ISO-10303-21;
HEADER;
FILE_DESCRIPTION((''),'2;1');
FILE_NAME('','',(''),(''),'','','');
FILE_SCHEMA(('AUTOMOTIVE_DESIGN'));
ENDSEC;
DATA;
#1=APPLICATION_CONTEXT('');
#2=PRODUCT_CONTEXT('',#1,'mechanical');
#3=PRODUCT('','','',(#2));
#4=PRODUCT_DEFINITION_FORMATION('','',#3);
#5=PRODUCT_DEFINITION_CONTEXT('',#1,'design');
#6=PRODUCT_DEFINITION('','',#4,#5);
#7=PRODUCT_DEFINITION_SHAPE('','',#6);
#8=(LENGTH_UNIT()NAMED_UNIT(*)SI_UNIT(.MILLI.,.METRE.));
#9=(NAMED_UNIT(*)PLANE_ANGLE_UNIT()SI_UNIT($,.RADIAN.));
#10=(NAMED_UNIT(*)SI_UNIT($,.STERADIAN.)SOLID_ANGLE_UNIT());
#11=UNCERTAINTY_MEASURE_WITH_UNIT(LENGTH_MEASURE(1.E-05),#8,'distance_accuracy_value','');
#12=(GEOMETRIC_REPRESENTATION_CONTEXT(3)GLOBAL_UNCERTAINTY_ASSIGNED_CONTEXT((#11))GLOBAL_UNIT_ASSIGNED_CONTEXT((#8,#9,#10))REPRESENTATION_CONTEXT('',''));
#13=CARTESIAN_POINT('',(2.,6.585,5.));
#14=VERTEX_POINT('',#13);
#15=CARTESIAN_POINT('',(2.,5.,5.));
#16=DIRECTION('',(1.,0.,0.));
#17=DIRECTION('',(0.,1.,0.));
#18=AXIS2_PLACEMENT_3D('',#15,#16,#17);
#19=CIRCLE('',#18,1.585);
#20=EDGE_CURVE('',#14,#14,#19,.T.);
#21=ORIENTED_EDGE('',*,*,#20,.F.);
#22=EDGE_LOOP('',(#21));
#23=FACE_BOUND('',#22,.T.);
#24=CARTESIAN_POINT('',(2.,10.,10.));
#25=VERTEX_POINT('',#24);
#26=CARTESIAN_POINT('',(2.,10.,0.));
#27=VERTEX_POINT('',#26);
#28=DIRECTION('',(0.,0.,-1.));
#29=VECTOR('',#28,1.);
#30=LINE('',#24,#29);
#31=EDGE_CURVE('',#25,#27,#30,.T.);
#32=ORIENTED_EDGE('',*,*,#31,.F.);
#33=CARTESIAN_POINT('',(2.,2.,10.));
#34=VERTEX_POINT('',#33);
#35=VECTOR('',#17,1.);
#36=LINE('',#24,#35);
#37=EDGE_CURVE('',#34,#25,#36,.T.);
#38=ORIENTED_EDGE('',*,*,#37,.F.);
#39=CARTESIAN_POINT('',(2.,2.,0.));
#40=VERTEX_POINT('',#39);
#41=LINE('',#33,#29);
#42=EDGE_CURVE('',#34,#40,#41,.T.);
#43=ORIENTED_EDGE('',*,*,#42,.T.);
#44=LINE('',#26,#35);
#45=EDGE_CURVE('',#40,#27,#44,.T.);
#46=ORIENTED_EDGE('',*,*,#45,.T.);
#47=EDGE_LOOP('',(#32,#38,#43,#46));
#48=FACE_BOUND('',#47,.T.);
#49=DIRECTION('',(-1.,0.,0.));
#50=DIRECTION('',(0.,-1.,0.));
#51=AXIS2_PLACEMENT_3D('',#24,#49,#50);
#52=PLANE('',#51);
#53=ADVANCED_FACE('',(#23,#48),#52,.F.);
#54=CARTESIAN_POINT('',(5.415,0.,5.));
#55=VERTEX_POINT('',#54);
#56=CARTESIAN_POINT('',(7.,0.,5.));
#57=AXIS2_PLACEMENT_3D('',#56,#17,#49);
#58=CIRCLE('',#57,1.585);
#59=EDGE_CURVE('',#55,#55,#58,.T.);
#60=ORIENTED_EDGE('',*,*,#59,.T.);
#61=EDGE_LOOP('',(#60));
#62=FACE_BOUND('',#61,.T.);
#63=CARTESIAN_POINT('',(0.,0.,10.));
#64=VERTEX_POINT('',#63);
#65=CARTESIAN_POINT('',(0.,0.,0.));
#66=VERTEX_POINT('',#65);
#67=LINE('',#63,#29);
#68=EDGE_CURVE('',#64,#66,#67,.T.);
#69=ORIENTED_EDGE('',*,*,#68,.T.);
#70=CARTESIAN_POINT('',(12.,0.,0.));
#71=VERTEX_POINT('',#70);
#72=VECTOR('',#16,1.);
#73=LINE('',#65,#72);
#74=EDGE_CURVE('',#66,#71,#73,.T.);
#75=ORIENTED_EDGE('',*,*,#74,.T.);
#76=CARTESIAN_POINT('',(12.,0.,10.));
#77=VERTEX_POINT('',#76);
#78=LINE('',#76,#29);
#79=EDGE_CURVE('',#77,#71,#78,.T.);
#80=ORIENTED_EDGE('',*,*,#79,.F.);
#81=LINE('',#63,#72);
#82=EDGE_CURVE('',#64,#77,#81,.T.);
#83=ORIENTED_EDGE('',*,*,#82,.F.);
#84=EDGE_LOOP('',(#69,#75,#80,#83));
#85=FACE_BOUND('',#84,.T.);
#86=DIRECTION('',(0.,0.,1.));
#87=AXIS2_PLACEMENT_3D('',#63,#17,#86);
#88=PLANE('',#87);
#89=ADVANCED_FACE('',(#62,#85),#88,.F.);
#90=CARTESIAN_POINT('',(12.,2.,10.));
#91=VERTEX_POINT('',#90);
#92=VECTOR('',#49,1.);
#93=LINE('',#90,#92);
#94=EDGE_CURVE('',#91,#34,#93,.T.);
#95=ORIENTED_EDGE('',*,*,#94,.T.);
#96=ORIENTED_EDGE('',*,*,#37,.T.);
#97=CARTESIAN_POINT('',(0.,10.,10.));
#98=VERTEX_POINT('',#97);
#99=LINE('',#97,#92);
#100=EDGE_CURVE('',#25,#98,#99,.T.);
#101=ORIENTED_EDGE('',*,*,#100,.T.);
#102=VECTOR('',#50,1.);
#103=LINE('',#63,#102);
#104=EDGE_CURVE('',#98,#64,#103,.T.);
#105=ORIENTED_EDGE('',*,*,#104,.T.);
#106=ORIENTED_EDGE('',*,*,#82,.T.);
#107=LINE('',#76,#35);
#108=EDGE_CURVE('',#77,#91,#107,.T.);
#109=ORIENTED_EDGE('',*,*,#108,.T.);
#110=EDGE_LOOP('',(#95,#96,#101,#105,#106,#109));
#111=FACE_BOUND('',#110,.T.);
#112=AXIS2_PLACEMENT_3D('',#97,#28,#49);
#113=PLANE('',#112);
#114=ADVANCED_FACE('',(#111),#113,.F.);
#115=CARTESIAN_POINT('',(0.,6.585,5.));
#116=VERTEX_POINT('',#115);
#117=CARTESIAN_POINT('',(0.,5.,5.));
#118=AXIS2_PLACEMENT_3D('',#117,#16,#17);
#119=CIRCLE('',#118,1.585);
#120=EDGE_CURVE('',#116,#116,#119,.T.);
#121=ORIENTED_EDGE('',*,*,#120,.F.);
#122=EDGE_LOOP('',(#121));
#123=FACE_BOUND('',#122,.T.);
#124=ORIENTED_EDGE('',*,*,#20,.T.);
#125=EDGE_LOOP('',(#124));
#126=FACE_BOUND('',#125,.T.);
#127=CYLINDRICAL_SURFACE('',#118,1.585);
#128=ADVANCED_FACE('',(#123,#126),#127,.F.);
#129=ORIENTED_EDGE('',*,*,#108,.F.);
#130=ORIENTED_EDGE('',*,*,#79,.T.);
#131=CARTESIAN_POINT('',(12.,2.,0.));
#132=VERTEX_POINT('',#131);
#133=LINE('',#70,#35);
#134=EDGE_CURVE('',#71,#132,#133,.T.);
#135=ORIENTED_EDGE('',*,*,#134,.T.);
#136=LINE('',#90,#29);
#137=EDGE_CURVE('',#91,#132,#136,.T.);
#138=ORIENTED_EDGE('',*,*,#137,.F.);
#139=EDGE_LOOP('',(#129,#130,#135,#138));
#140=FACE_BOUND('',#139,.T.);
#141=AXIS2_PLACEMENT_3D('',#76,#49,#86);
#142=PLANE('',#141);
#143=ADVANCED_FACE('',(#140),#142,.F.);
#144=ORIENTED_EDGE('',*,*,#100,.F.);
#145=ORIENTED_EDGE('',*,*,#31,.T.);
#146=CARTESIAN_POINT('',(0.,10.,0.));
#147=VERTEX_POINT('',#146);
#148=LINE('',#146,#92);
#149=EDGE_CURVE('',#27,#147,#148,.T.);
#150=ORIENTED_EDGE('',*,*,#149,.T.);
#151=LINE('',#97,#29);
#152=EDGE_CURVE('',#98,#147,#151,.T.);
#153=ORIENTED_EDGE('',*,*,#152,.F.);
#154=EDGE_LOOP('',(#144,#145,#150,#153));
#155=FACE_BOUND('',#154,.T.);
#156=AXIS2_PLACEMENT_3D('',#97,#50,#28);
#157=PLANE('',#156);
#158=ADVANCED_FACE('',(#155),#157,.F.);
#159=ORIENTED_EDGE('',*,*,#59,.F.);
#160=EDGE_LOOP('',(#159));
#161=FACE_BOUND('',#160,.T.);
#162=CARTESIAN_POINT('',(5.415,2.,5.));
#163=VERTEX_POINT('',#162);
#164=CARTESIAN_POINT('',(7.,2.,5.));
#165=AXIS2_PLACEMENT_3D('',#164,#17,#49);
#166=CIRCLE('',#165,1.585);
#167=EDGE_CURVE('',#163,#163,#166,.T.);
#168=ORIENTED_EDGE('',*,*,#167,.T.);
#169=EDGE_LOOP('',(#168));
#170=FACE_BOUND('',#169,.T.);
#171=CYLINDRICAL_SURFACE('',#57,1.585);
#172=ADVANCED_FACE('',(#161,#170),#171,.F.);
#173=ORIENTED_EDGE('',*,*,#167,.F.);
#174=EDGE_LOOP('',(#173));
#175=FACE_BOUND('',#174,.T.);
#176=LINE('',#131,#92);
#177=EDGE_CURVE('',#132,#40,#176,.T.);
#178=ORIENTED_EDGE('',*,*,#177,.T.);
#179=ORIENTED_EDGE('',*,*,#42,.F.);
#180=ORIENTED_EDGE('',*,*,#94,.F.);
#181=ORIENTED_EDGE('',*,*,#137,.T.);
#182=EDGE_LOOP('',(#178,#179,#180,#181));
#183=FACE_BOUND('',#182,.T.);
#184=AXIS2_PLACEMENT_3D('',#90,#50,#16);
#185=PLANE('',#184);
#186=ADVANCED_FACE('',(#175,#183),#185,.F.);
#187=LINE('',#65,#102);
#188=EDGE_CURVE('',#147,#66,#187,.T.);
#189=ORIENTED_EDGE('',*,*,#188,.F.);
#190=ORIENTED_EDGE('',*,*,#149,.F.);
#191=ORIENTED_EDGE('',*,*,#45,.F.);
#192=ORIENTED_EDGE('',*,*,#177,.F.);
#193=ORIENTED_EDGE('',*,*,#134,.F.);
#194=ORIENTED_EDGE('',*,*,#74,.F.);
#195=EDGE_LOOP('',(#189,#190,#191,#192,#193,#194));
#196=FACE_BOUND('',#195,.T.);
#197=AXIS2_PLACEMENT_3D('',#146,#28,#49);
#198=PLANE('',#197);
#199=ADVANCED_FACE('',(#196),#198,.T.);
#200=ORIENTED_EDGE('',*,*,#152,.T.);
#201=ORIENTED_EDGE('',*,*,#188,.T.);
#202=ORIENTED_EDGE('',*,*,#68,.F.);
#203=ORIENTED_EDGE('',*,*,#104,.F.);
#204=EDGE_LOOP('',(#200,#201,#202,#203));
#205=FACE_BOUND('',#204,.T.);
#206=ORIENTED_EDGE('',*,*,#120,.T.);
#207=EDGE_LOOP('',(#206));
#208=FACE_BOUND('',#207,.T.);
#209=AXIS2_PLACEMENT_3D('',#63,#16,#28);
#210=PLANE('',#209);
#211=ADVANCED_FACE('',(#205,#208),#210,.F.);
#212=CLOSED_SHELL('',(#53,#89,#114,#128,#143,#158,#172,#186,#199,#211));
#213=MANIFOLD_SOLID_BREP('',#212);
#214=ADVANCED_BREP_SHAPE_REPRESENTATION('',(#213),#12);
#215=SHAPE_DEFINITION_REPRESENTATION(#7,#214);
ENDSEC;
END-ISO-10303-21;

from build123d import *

# Parameters (mm, degrees)
BOSS_EXTRUDE1_DEPTH = 10
SKETCH2_R           = 1.585
CUT_EXTRUDE1_DEPTH  = 3
SKETCH3_R           = 1.585
CUT_EXTRUDE2_DEPTH  = 3


with BuildPart() as part:
    # Sketch1 → Boss-Extrude1 (new body)
    with BuildSketch(Plane.XY):
        Polygon((0, 0), (12, 0), (12, 2), (2, 2), (2, 10), (0, 10), align=None)
    extrude(amount=BOSS_EXTRUDE1_DEPTH)

    # Sketch2 → Cut-Extrude1 (cut, through all)
    with BuildSketch(Plane(origin=(0, 2, 0), x_dir=(1, 0, 0), z_dir=(0, 1, 0))):
        with Locations((7, -5)):
            Circle(SKETCH2_R)
    extrude(amount=-CUT_EXTRUDE1_DEPTH, mode=Mode.SUBTRACT)

    # Sketch3 → Cut-Extrude2 (cut, through all)
    with BuildSketch(Plane(origin=(2, 0, 0), x_dir=(0, 0, -1), z_dir=(1, 0, 0))):
        with Locations((-5, 5)):
            Circle(SKETCH3_R)
    extrude(amount=-CUT_EXTRUDE2_DEPTH, mode=Mode.SUBTRACT)


solid = part.part
